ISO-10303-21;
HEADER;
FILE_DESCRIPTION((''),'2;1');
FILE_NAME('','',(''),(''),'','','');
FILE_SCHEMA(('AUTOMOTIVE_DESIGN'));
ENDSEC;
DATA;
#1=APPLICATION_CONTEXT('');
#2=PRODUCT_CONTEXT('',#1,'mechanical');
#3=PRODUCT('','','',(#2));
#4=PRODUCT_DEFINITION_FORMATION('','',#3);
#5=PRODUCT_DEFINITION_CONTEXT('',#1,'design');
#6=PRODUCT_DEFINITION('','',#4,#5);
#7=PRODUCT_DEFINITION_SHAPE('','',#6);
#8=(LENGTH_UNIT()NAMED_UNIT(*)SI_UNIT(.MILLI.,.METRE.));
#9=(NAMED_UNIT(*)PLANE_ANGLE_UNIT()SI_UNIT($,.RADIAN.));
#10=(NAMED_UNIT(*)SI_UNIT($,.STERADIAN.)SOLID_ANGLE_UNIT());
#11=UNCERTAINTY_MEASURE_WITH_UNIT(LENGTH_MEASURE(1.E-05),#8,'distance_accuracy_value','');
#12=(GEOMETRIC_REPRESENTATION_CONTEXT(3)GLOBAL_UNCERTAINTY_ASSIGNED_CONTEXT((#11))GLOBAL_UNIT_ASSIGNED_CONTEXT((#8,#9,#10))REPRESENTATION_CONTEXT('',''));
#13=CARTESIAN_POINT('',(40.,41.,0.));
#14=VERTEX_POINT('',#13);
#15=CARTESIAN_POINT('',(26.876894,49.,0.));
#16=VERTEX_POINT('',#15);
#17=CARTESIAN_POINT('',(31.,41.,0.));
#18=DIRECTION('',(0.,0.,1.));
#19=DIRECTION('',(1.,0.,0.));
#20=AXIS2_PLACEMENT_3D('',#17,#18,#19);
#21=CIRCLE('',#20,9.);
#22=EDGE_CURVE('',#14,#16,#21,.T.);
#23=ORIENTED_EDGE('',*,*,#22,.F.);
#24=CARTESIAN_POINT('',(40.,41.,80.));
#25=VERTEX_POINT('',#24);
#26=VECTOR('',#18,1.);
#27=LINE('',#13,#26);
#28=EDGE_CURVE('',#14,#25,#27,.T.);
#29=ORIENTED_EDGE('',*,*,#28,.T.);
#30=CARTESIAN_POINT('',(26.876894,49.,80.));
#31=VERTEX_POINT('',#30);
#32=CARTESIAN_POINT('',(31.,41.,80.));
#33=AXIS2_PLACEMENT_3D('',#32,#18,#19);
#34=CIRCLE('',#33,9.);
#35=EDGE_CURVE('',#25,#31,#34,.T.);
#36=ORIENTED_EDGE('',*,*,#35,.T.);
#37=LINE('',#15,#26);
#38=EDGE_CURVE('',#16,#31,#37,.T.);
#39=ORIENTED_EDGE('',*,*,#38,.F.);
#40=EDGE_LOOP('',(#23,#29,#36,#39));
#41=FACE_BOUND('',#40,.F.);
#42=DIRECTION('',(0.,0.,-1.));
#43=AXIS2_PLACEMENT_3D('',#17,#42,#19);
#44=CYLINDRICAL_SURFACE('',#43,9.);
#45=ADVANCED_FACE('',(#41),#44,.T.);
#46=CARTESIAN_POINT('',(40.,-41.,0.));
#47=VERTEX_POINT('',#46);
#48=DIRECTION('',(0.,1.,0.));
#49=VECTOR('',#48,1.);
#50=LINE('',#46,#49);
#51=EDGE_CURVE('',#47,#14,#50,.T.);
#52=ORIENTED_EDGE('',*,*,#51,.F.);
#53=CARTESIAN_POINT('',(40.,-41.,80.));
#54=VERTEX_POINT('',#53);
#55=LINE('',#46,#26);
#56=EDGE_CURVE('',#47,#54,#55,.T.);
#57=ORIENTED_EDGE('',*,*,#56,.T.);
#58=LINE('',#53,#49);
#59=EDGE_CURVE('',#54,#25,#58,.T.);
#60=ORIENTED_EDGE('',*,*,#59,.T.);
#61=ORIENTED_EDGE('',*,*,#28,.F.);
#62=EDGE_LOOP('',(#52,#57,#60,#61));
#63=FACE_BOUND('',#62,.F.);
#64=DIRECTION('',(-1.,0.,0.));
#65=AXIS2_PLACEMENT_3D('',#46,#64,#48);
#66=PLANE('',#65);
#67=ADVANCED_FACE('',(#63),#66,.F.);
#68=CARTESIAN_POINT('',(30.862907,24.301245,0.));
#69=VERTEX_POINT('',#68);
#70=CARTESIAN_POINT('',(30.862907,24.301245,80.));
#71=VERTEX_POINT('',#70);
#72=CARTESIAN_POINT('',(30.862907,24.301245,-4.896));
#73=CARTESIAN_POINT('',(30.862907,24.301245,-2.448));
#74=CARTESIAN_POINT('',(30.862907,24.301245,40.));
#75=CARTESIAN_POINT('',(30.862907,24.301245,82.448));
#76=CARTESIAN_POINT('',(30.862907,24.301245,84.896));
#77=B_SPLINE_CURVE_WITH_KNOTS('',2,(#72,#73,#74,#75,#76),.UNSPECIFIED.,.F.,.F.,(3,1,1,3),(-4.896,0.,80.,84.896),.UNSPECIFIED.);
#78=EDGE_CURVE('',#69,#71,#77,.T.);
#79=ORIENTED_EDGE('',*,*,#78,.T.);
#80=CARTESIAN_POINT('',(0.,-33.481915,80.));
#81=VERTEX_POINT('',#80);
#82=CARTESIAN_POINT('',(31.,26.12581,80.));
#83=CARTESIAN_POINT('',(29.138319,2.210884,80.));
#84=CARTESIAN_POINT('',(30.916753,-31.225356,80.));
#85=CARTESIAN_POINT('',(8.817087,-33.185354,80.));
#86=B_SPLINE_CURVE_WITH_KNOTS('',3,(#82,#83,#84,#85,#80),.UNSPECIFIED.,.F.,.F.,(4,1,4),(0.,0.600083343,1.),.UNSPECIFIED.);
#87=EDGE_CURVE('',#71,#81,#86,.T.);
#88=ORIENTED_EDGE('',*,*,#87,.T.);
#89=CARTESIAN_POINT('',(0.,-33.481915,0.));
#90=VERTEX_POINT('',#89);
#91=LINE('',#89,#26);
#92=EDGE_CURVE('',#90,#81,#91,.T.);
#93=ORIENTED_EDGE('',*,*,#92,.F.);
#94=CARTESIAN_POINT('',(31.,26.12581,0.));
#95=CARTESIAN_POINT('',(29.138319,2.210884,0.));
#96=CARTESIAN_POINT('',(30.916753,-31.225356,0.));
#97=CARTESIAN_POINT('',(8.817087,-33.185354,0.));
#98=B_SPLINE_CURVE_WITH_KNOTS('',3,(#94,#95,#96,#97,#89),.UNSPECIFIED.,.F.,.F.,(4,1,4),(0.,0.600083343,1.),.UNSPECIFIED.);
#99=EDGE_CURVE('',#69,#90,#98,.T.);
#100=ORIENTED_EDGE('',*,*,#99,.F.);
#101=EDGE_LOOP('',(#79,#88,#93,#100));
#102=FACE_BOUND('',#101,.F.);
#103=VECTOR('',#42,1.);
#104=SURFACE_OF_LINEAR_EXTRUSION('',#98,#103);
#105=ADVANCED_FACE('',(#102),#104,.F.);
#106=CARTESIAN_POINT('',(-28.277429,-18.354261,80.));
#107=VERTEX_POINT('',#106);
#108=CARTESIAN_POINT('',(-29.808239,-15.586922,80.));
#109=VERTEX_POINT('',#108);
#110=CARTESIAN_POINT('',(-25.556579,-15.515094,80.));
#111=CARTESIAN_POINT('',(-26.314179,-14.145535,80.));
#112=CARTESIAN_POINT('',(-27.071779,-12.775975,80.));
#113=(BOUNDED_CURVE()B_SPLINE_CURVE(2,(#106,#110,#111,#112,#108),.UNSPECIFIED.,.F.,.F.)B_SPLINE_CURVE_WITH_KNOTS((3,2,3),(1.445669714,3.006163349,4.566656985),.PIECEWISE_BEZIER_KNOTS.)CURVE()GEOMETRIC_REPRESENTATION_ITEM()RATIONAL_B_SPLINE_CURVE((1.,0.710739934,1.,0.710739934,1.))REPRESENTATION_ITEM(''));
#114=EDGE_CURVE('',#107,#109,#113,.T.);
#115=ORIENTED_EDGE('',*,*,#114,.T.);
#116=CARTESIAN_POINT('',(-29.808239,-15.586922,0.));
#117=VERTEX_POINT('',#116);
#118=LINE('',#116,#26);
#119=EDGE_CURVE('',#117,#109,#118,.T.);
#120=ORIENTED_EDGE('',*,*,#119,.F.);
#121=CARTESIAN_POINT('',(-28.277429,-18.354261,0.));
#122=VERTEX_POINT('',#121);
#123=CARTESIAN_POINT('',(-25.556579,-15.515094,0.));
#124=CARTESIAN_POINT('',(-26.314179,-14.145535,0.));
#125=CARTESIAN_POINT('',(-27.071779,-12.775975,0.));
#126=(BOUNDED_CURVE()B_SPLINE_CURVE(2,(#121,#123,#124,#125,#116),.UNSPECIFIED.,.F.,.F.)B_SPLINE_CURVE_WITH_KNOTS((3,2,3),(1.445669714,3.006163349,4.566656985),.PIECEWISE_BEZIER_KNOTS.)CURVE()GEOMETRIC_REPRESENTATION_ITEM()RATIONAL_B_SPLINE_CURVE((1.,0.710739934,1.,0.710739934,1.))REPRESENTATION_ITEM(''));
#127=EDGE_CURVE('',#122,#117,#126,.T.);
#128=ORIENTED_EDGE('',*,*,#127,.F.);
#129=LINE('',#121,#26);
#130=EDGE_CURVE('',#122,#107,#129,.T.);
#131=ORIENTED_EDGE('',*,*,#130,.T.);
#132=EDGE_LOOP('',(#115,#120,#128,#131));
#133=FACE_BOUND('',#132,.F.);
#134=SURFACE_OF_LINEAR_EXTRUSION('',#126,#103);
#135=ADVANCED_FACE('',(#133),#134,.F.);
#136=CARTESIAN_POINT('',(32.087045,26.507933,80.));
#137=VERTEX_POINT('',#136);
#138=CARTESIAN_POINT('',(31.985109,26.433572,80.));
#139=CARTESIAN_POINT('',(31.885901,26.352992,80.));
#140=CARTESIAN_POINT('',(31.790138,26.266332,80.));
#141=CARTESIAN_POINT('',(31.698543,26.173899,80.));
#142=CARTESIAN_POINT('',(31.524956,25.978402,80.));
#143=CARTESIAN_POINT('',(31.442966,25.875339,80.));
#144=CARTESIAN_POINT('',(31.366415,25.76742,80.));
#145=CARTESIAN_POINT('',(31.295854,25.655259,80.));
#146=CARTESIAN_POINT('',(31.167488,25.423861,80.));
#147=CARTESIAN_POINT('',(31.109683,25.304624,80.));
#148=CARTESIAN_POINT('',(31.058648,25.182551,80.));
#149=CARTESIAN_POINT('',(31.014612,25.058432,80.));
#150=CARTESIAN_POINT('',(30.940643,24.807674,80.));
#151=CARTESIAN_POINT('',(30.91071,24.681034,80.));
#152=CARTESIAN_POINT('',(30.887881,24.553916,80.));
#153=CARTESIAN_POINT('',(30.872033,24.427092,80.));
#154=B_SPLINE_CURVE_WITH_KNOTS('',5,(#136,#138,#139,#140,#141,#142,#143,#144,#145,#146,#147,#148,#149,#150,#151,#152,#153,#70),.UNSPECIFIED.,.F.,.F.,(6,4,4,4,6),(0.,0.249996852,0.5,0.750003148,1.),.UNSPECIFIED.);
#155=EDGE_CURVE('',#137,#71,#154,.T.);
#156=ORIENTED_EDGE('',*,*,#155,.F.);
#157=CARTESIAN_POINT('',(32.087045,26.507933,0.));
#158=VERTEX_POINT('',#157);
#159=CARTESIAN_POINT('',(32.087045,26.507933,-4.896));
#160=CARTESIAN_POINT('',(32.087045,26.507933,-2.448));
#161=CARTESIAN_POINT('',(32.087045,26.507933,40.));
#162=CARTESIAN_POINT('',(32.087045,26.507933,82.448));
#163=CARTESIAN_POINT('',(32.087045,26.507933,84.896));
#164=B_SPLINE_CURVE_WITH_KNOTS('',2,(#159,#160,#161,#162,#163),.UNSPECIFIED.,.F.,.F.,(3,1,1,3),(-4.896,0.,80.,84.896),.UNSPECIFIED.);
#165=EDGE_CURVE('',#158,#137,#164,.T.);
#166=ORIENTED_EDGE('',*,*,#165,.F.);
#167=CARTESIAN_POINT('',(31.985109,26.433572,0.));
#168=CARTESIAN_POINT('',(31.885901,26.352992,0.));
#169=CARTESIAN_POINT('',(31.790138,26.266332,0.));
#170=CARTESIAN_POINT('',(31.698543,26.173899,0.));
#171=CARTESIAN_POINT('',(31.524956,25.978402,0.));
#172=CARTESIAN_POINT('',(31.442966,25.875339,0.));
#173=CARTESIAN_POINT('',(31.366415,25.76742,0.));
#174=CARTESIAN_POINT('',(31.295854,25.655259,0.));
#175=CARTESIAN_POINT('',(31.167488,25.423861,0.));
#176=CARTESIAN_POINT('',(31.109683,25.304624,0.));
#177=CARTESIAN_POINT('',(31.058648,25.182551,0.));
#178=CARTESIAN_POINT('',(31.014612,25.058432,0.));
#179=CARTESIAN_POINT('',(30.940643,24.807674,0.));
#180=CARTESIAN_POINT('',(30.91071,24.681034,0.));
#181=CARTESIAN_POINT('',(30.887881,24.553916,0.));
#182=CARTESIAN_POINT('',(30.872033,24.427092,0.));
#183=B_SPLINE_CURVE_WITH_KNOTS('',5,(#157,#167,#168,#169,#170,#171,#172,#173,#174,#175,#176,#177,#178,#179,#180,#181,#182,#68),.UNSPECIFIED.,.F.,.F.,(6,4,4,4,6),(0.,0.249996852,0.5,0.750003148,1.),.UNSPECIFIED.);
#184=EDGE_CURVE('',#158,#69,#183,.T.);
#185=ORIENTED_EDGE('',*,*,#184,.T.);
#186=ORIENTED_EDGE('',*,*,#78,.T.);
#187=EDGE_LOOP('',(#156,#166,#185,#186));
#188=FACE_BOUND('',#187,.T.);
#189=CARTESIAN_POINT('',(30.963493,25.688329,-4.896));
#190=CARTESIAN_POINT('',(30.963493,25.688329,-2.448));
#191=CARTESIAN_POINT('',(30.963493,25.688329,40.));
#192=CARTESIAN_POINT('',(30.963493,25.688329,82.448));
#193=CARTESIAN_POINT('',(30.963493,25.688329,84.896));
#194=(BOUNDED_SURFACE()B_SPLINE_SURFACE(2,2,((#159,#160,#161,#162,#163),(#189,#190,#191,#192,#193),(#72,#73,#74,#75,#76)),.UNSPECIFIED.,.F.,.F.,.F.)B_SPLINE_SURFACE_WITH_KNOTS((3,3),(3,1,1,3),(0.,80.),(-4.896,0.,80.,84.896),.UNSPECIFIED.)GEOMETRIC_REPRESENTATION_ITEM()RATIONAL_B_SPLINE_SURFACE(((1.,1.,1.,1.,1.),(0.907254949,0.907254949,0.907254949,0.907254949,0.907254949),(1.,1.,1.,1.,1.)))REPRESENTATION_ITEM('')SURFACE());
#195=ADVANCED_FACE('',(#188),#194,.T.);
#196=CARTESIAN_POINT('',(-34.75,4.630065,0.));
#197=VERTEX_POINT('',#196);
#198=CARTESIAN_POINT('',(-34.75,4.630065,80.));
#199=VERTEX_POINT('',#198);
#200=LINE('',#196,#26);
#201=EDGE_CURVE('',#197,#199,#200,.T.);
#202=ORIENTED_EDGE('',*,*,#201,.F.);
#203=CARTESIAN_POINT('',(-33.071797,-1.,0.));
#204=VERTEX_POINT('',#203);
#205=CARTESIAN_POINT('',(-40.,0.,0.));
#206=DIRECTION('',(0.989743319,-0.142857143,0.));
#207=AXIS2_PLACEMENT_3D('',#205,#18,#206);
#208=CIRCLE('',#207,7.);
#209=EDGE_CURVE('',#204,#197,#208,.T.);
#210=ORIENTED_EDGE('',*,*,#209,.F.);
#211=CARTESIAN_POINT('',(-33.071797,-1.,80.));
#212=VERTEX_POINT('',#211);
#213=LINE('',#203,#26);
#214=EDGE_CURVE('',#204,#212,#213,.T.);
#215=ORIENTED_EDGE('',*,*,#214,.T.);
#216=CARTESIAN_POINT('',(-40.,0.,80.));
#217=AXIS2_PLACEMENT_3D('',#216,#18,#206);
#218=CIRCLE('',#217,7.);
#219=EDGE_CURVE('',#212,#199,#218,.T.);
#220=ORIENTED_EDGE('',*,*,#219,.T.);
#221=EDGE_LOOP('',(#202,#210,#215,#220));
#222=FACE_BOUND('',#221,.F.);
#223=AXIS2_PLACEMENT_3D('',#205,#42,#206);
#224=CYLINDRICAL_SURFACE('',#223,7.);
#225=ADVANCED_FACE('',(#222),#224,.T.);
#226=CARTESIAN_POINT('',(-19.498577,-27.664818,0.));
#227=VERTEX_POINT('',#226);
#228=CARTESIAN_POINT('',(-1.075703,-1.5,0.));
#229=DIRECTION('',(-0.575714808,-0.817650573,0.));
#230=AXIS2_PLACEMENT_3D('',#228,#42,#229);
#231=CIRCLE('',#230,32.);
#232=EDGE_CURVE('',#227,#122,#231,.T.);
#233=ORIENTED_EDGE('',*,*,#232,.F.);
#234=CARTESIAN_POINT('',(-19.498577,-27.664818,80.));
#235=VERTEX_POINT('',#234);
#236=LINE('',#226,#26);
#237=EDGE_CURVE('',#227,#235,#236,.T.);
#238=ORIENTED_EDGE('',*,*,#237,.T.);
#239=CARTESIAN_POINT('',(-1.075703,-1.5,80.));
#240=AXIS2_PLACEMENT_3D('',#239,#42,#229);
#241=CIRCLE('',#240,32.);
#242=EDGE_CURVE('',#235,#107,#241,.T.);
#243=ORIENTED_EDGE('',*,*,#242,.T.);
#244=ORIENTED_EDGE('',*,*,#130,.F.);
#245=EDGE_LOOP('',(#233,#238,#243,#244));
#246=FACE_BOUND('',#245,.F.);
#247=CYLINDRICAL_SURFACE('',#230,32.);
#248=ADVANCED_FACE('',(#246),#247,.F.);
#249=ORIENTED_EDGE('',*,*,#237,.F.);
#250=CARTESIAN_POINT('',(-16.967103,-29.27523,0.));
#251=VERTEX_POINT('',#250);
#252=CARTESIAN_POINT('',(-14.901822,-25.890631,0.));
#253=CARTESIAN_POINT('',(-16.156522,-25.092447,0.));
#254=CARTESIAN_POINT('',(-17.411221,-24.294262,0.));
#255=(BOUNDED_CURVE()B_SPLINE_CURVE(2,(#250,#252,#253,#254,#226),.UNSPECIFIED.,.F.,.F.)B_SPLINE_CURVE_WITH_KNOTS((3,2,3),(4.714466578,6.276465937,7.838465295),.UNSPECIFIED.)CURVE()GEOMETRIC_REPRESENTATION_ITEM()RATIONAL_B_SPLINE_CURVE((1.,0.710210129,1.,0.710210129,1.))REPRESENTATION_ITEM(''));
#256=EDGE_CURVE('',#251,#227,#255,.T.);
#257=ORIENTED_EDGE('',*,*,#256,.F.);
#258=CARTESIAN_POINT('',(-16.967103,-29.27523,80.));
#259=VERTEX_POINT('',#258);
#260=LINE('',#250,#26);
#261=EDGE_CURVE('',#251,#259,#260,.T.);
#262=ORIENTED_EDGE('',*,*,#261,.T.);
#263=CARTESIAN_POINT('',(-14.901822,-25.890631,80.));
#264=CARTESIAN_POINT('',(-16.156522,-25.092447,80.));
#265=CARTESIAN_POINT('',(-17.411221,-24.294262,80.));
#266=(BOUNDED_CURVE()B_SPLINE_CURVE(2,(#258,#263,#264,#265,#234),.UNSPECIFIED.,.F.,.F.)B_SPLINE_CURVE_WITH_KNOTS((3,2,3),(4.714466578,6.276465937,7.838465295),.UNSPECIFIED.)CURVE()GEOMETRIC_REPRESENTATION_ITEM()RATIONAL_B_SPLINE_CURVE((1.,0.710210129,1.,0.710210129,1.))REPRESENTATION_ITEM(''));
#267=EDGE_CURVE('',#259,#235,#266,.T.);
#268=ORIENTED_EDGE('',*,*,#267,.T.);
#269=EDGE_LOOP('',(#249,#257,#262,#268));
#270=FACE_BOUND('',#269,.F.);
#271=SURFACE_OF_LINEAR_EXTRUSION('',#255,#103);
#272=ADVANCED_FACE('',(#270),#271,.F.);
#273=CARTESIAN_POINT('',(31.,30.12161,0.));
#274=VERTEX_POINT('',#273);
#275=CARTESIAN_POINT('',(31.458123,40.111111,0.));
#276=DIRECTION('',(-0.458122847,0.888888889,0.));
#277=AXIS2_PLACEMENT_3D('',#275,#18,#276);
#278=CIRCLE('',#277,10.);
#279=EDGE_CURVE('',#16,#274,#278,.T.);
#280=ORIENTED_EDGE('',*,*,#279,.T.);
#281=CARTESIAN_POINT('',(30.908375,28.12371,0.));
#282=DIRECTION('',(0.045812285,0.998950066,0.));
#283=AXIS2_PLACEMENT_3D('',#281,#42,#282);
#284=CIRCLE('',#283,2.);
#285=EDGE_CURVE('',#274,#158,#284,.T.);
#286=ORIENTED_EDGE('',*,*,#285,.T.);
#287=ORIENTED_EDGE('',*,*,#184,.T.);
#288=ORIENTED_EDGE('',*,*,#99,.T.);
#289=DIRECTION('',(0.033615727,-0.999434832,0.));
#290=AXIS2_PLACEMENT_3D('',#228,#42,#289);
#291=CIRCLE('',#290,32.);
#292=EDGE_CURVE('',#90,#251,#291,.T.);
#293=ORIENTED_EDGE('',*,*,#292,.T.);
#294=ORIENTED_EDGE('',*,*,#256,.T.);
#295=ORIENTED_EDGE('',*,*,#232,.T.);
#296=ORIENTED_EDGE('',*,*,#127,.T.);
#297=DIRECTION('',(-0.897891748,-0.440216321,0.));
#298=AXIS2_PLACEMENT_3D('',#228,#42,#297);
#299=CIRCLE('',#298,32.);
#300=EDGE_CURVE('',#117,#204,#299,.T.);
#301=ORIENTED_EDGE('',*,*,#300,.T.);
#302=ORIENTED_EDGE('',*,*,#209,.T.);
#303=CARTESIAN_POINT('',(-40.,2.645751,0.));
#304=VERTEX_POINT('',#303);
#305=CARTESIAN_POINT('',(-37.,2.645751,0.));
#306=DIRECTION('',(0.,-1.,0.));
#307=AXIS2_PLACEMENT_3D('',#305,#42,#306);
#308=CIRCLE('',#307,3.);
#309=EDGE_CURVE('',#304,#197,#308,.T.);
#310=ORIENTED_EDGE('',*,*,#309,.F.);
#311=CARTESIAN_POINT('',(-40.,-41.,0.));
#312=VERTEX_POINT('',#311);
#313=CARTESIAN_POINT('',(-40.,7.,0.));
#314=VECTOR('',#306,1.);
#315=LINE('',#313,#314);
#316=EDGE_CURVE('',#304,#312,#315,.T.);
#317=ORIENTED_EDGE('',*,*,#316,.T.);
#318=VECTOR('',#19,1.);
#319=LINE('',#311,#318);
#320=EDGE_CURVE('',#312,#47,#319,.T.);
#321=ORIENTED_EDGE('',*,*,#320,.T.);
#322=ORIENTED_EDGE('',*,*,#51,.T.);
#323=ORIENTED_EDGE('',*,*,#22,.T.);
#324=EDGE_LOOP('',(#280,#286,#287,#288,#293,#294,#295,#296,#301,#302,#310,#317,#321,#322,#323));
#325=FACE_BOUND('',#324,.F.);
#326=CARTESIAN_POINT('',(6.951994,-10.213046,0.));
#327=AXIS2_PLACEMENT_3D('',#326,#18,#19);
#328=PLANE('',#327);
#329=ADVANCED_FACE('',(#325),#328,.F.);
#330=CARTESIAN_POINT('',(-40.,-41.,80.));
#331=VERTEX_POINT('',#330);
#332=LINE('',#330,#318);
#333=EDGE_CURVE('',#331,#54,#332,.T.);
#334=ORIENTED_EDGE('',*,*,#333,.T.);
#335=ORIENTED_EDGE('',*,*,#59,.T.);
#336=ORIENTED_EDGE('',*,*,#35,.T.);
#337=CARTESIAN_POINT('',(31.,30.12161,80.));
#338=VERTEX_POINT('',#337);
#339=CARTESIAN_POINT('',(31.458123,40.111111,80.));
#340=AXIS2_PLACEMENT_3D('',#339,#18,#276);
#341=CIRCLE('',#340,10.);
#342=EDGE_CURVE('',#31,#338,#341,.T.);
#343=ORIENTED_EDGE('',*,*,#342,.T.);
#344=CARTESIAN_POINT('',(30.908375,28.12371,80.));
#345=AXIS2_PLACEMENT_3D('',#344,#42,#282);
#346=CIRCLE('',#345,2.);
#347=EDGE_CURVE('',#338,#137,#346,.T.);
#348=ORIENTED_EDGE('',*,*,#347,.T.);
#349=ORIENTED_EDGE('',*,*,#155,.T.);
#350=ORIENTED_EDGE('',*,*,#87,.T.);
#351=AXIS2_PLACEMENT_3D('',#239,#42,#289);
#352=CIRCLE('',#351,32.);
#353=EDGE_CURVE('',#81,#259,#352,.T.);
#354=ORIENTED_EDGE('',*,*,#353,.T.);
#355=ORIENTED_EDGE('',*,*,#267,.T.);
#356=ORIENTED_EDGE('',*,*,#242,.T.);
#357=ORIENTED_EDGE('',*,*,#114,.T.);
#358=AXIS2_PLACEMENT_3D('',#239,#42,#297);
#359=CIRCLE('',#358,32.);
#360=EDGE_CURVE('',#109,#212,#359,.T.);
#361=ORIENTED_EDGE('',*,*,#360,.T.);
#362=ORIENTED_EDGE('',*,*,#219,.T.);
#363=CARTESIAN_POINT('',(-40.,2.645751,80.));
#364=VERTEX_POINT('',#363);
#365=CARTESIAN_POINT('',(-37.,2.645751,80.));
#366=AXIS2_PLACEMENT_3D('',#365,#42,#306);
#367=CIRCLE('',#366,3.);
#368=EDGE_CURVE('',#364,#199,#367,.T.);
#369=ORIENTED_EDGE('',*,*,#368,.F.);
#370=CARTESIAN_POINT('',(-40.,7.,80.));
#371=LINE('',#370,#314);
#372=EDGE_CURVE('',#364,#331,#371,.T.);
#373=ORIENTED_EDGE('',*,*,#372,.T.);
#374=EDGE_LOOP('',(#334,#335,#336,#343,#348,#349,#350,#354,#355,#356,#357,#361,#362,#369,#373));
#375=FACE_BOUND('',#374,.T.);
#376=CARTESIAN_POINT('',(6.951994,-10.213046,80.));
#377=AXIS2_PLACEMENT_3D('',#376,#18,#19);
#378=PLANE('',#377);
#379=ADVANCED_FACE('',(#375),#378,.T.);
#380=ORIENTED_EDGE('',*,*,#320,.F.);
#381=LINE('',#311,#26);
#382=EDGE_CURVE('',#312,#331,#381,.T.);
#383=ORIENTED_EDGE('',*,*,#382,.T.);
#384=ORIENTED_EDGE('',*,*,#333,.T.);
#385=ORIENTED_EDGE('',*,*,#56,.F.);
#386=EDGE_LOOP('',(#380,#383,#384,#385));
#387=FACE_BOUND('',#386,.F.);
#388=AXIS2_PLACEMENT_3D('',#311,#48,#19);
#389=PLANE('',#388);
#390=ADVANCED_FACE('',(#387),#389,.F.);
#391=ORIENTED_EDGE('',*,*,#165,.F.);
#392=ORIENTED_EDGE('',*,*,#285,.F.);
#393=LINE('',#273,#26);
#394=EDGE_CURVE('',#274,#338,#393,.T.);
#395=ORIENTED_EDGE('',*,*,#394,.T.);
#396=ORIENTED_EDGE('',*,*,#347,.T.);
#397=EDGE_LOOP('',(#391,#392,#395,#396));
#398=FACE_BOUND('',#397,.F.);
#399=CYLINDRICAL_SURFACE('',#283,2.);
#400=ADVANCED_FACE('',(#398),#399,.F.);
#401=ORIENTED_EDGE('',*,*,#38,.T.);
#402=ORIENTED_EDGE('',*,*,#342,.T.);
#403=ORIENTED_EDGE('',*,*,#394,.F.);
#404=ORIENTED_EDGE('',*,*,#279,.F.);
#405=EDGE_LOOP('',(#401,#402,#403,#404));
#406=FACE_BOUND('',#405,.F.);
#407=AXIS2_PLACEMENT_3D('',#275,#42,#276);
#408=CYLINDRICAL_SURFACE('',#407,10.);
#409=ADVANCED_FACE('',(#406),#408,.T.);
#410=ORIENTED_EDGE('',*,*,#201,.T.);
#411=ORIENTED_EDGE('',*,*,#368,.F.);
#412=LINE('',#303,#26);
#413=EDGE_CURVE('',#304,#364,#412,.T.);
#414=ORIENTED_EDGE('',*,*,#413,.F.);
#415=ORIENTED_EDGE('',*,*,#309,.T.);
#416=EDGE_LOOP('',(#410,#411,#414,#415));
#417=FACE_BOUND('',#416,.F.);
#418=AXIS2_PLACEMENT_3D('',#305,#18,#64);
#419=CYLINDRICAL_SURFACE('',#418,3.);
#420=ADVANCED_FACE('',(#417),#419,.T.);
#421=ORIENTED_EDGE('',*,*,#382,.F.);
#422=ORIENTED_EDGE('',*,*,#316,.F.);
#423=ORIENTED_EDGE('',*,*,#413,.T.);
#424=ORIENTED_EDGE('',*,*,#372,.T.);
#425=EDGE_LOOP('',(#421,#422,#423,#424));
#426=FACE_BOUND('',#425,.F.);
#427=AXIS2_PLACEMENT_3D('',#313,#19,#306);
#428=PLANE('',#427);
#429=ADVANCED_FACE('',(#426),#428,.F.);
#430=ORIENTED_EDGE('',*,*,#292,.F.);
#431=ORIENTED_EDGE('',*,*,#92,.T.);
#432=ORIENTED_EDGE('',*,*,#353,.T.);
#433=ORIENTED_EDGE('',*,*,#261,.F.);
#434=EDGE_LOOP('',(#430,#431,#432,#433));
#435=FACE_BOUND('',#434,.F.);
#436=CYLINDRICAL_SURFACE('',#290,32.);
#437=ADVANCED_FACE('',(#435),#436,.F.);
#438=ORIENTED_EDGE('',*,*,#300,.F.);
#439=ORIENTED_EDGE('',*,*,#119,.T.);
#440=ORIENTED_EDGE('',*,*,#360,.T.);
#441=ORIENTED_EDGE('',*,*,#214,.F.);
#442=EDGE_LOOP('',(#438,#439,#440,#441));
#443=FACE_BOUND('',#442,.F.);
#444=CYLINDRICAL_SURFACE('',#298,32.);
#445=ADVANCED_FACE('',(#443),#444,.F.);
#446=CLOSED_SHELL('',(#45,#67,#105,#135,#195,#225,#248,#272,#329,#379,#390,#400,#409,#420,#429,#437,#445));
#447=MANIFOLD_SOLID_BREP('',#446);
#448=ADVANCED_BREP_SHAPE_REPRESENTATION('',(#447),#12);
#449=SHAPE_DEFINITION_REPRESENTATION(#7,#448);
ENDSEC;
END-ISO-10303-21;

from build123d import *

# Parameters (mm, degrees)
F1_DEPTH = 80
F2_R     = 3
F3_R     = 3


with BuildPart() as f1:
    # F0 (on Top) → F1 (new body)
    with BuildSketch(Plane.XY):
        with BuildLine():
            Line((-40, 7), (-40, -41))
            Line((-40, -41), (40, -41))
            Line((40, -41), (40, 41))
            ThreePointArc((40, 41), (35.6846584384, 48.6846584384), (26.8768943744, 49))
            ThreePointArc((26.8768943744, 49), (21.6884164325, 37.9773734121), (31, 30.1216104501))
            ThreePointArc((31, 30.1216104501), (32.9083754305, 28.1237103179), (31, 26.1258101857))
            add(Edge.make_bspline(
                [(31, 26.1258101857), (29.1383194506, 2.2108836058), (30.9167526541, -31.2253562681), (8.8170867264, -33.1853542307), (0, -33.4819146159)],
                knots=[0, 0, 0, 0, 0.6000833432, 1, 1, 1, 1], degree=3))
            ThreePointArc((0, -33.4819146159), (-8.7763698001, -32.5596158188), (-16.9671031431, -29.2752301466))
            add(Edge.make_bspline(
                [(-16.9671031431, -29.2752301466), (-14.901822055, -25.8906310448), (-16.1565216247, -25.0924466589), (-17.4112211944, -24.2942622731), (-19.4985771018, -27.664818351)],
                knots=[4.7144665779, 4.7144665779, 4.7144665779, 6.2764659366, 6.2764659366, 7.8384652954, 7.8384652954, 7.8384652954], degree=2, weights=[1, 0.710210129, 1, 0.710210129, 1]))
            ThreePointArc((-19.4985771018, -27.664818351), (-24.3581566231, -23.452844128), (-28.2774287922, -18.3542614188))
            add(Edge.make_bspline(
                [(-28.2774287922, -18.3542614188), (-25.5565793832, -15.5150943204), (-26.3141793997, -14.1455346477), (-27.0717794162, -12.7759749751), (-29.8082391869, -15.5869222722)],
                knots=[1.4456697136, 1.4456697136, 1.4456697136, 3.0061633493, 3.0061633493, 4.566656985, 4.566656985, 4.566656985], degree=2, weights=[1, 0.7107399344, 1, 0.7107399344, 1]))
            ThreePointArc((-29.8082391869, -15.5869222722), (-32.3036744342, -8.4866885025), (-33.0717967697, -1))
            ThreePointArc((-33.0717967697, -1), (-34.7084973779, 4.582575695), (-40, 7))
        make_face()
    extrude(amount=F1_DEPTH)

    # F2
    f2_edges = [f1.edges().sort_by_distance(p)[0] for p in [
        (-40, 7, 40),
    ]]
    fillet(f2_edges, radius=F2_R)

    # F3
    f3_edges = [f1.edges().sort_by_distance(p)[0] for p in [
        (31, 26.12581, 40),
    ]]
    fillet(f3_edges, radius=F3_R)


solid = f1.part
